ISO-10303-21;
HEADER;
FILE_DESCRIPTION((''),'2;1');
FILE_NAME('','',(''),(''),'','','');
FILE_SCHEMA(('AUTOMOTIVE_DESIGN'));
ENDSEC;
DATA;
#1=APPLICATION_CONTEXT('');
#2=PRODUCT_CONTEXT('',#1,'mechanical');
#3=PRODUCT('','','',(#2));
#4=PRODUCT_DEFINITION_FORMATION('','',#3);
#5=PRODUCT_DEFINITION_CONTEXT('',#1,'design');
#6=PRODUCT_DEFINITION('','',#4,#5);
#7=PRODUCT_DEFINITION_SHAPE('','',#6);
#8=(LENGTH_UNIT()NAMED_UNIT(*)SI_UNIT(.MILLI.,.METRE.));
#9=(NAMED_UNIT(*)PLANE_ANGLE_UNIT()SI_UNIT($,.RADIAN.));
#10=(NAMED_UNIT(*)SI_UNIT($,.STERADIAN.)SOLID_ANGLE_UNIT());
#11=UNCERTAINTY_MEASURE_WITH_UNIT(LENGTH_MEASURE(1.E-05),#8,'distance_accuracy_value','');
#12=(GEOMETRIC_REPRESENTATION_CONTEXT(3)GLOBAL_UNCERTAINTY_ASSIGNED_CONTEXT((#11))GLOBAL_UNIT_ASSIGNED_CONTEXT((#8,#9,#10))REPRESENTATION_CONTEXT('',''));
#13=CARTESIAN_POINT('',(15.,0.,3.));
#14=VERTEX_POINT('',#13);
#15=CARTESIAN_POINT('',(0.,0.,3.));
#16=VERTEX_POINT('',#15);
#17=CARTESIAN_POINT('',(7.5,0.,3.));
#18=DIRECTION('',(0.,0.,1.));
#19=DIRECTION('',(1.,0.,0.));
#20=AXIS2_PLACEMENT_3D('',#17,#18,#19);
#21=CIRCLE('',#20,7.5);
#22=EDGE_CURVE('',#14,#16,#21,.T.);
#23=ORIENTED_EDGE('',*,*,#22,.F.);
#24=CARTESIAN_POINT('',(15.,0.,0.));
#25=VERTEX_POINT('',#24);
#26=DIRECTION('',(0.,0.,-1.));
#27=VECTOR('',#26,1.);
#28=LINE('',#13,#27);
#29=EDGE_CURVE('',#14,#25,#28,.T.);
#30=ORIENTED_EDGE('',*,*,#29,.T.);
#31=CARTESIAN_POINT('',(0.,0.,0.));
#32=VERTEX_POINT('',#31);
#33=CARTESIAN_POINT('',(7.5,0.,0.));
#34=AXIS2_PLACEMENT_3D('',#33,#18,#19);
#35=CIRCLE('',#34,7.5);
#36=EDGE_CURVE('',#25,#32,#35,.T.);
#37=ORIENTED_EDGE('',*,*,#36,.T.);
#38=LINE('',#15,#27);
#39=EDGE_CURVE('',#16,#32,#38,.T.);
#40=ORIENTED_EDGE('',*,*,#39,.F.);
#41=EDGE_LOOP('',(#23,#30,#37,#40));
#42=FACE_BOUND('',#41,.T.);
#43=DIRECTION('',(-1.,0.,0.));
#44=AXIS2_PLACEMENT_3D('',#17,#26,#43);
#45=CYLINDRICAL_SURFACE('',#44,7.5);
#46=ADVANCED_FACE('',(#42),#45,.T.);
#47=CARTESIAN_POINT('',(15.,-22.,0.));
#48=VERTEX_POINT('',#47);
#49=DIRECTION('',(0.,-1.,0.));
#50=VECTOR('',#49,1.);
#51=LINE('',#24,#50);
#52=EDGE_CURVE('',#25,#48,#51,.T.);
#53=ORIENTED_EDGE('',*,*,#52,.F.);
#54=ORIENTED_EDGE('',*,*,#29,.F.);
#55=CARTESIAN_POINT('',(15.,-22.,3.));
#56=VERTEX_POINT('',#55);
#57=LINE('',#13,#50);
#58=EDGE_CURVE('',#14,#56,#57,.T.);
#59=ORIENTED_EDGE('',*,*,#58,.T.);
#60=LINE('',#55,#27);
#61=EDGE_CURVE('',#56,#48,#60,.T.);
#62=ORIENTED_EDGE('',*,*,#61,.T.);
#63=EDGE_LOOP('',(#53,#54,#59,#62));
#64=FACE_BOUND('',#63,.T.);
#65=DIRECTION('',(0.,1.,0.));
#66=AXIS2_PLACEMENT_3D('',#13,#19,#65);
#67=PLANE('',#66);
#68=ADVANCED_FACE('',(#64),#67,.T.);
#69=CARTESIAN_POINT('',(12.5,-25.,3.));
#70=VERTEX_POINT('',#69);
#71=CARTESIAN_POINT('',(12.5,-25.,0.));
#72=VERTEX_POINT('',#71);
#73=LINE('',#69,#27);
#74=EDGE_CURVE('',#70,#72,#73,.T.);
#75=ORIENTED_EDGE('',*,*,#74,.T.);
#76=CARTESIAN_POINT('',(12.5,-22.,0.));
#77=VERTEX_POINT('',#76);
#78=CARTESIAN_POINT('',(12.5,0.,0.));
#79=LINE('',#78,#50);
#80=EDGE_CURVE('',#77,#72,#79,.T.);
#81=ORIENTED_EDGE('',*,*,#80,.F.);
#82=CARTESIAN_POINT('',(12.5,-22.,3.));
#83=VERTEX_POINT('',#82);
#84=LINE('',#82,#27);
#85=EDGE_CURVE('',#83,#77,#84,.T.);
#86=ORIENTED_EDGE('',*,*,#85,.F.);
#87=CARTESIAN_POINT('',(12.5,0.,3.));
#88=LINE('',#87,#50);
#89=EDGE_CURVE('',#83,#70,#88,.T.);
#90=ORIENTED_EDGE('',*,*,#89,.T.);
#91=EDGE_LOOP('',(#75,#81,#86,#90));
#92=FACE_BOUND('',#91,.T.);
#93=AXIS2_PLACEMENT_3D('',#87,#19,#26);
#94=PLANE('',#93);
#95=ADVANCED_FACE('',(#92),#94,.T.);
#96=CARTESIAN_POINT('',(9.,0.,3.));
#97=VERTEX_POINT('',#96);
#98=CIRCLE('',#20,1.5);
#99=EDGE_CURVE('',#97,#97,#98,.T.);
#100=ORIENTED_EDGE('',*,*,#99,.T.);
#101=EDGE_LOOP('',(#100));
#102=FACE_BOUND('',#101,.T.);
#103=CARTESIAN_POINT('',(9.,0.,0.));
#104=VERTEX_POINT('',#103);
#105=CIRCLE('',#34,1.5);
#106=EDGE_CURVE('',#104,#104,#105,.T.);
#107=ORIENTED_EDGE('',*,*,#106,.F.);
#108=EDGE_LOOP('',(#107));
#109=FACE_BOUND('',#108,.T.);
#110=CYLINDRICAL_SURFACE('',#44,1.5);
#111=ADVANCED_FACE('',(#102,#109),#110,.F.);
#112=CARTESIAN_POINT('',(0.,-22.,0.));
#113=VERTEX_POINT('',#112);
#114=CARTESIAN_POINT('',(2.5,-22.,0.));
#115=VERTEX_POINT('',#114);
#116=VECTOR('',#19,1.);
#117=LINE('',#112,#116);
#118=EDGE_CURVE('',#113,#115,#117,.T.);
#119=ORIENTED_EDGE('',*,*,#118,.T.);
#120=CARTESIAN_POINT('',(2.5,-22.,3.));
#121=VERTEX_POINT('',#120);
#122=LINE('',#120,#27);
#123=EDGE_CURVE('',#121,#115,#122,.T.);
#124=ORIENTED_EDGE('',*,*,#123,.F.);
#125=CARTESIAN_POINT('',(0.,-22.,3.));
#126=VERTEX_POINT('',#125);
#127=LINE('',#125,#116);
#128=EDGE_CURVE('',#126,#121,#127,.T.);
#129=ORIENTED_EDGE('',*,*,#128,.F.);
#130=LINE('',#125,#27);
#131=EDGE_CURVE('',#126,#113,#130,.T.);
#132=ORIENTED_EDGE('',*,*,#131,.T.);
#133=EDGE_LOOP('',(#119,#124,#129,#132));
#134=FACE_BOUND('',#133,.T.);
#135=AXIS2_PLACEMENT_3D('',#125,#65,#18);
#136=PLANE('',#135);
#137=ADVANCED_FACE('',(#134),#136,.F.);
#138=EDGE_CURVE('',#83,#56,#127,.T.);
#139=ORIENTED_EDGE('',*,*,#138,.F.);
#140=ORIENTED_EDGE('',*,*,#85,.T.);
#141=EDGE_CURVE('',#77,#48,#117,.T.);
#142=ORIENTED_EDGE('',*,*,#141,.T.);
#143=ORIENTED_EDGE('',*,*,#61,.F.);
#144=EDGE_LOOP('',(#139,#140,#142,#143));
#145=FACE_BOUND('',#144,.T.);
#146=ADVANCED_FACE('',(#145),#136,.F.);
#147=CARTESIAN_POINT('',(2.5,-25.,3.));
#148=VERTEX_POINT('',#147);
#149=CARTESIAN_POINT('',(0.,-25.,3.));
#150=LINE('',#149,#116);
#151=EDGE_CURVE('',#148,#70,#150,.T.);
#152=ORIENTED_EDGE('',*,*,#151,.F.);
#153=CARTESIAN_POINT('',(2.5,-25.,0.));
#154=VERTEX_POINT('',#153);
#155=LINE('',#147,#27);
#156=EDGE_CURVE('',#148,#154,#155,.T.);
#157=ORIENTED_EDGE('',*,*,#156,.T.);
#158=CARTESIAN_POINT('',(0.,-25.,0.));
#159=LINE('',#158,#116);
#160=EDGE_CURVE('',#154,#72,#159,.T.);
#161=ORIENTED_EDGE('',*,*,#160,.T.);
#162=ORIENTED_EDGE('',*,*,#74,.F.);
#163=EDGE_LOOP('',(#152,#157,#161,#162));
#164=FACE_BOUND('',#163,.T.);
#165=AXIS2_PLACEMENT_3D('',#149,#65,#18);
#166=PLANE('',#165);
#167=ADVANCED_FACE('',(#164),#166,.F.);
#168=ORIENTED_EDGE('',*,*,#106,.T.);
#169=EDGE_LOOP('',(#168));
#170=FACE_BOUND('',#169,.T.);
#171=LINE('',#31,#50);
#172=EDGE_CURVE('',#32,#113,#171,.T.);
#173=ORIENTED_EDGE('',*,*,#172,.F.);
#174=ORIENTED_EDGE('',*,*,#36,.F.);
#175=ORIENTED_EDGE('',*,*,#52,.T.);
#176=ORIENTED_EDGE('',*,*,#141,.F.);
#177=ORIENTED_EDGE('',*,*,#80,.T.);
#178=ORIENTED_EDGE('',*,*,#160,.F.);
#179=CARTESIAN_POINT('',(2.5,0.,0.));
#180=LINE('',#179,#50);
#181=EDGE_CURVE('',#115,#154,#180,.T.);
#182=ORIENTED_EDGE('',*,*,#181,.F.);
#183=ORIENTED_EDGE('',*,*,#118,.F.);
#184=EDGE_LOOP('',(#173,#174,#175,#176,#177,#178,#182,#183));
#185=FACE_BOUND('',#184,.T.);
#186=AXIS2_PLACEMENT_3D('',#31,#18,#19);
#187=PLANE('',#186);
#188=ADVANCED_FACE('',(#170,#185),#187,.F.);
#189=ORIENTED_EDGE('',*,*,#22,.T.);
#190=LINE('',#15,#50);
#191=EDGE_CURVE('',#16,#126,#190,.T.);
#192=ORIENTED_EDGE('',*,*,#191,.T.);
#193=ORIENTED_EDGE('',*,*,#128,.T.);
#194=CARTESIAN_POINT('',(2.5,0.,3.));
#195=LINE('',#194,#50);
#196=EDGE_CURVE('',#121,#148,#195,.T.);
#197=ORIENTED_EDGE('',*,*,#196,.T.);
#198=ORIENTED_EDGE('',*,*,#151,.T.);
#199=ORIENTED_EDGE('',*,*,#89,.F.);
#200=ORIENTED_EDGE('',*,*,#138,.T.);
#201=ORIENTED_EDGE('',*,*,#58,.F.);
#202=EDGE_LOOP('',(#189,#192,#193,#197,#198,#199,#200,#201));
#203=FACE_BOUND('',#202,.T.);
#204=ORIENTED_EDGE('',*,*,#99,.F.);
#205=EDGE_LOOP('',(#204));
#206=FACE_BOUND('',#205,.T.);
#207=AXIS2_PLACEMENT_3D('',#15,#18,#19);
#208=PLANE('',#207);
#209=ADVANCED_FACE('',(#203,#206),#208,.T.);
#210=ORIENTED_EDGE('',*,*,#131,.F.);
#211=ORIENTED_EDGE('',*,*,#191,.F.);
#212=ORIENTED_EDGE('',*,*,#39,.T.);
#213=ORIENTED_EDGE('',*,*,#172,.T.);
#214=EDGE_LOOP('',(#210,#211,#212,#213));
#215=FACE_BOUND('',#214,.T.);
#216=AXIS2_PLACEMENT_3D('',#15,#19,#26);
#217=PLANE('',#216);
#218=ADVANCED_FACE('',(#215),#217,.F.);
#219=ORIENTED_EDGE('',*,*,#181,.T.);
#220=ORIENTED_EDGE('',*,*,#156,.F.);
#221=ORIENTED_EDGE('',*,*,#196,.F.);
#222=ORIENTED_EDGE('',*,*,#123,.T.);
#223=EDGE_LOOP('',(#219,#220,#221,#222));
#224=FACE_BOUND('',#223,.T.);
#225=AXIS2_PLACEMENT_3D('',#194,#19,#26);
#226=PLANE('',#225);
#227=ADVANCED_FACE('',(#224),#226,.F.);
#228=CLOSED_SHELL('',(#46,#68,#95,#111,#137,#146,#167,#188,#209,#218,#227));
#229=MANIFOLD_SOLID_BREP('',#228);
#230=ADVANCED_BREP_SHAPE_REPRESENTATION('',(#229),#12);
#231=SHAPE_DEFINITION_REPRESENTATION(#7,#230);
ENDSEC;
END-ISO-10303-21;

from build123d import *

# Parameters (mm, degrees)
EXTRUDE_1_DEPTH = 3


with BuildPart() as part:
    # 草图1 → 凸台-拉伸1 (new body)
    with BuildSketch(Plane.XY):
        with BuildLine():
            ThreePointArc((6, 0), (7.5, 1.5), (9, 0))
            Line((9, 0), (15, 0))
            ThreePointArc((15, 0), (7.5, 7.5), (0, 0))
            Line((0, 0), (6, 0))
        make_face()
        with BuildLine():
            ThreePointArc((9, 0), (8.560660172, -1.060660172), (7.5, -1.5))
            Line((7.5, -1.5), (7.5, -7.5))
            ThreePointArc((7.5, -7.5), (12.803300859, -5.303300859), (15, 0))
            Line((15, 0), (9, 0))
        make_face()
        with BuildLine():
            Line((7.5, -7.5), (7.5, -1.5))
            ThreePointArc((7.5, -1.5), (6.439339828, -1.060660172), (6, 0))
            Line((6, 0), (0, 0))
            ThreePointArc((0, 0), (2.196699141, -5.303300859), (7.5, -7.5))
        make_face()
        with BuildLine():
            ThreePointArc((15, 0), (12.803300859, -5.303300859), (7.5, -7.5))
            Line((7.5, -7.5), (7.5, -22))
            Line((7.5, -22), (12.5, -22))
            Line((12.5, -22), (15, -22))
            Line((15, -22), (15, 0))
        make_face()
        with BuildLine():
            Line((7.5, -22), (7.5, -7.5))
            ThreePointArc((7.5, -7.5), (2.196699141, -5.303300859), (0, 0))
            Line((0, 0), (0, -22))
            Line((0, -22), (2.5, -22))
            Line((2.5, -22), (7.5, -22))
        make_face()
        Polygon((12.5, -22), (7.5, -22), (2.5, -22), (2.5, -25), (12.5, -25), align=None)
    extrude(amount=EXTRUDE_1_DEPTH)


solid = part.part
